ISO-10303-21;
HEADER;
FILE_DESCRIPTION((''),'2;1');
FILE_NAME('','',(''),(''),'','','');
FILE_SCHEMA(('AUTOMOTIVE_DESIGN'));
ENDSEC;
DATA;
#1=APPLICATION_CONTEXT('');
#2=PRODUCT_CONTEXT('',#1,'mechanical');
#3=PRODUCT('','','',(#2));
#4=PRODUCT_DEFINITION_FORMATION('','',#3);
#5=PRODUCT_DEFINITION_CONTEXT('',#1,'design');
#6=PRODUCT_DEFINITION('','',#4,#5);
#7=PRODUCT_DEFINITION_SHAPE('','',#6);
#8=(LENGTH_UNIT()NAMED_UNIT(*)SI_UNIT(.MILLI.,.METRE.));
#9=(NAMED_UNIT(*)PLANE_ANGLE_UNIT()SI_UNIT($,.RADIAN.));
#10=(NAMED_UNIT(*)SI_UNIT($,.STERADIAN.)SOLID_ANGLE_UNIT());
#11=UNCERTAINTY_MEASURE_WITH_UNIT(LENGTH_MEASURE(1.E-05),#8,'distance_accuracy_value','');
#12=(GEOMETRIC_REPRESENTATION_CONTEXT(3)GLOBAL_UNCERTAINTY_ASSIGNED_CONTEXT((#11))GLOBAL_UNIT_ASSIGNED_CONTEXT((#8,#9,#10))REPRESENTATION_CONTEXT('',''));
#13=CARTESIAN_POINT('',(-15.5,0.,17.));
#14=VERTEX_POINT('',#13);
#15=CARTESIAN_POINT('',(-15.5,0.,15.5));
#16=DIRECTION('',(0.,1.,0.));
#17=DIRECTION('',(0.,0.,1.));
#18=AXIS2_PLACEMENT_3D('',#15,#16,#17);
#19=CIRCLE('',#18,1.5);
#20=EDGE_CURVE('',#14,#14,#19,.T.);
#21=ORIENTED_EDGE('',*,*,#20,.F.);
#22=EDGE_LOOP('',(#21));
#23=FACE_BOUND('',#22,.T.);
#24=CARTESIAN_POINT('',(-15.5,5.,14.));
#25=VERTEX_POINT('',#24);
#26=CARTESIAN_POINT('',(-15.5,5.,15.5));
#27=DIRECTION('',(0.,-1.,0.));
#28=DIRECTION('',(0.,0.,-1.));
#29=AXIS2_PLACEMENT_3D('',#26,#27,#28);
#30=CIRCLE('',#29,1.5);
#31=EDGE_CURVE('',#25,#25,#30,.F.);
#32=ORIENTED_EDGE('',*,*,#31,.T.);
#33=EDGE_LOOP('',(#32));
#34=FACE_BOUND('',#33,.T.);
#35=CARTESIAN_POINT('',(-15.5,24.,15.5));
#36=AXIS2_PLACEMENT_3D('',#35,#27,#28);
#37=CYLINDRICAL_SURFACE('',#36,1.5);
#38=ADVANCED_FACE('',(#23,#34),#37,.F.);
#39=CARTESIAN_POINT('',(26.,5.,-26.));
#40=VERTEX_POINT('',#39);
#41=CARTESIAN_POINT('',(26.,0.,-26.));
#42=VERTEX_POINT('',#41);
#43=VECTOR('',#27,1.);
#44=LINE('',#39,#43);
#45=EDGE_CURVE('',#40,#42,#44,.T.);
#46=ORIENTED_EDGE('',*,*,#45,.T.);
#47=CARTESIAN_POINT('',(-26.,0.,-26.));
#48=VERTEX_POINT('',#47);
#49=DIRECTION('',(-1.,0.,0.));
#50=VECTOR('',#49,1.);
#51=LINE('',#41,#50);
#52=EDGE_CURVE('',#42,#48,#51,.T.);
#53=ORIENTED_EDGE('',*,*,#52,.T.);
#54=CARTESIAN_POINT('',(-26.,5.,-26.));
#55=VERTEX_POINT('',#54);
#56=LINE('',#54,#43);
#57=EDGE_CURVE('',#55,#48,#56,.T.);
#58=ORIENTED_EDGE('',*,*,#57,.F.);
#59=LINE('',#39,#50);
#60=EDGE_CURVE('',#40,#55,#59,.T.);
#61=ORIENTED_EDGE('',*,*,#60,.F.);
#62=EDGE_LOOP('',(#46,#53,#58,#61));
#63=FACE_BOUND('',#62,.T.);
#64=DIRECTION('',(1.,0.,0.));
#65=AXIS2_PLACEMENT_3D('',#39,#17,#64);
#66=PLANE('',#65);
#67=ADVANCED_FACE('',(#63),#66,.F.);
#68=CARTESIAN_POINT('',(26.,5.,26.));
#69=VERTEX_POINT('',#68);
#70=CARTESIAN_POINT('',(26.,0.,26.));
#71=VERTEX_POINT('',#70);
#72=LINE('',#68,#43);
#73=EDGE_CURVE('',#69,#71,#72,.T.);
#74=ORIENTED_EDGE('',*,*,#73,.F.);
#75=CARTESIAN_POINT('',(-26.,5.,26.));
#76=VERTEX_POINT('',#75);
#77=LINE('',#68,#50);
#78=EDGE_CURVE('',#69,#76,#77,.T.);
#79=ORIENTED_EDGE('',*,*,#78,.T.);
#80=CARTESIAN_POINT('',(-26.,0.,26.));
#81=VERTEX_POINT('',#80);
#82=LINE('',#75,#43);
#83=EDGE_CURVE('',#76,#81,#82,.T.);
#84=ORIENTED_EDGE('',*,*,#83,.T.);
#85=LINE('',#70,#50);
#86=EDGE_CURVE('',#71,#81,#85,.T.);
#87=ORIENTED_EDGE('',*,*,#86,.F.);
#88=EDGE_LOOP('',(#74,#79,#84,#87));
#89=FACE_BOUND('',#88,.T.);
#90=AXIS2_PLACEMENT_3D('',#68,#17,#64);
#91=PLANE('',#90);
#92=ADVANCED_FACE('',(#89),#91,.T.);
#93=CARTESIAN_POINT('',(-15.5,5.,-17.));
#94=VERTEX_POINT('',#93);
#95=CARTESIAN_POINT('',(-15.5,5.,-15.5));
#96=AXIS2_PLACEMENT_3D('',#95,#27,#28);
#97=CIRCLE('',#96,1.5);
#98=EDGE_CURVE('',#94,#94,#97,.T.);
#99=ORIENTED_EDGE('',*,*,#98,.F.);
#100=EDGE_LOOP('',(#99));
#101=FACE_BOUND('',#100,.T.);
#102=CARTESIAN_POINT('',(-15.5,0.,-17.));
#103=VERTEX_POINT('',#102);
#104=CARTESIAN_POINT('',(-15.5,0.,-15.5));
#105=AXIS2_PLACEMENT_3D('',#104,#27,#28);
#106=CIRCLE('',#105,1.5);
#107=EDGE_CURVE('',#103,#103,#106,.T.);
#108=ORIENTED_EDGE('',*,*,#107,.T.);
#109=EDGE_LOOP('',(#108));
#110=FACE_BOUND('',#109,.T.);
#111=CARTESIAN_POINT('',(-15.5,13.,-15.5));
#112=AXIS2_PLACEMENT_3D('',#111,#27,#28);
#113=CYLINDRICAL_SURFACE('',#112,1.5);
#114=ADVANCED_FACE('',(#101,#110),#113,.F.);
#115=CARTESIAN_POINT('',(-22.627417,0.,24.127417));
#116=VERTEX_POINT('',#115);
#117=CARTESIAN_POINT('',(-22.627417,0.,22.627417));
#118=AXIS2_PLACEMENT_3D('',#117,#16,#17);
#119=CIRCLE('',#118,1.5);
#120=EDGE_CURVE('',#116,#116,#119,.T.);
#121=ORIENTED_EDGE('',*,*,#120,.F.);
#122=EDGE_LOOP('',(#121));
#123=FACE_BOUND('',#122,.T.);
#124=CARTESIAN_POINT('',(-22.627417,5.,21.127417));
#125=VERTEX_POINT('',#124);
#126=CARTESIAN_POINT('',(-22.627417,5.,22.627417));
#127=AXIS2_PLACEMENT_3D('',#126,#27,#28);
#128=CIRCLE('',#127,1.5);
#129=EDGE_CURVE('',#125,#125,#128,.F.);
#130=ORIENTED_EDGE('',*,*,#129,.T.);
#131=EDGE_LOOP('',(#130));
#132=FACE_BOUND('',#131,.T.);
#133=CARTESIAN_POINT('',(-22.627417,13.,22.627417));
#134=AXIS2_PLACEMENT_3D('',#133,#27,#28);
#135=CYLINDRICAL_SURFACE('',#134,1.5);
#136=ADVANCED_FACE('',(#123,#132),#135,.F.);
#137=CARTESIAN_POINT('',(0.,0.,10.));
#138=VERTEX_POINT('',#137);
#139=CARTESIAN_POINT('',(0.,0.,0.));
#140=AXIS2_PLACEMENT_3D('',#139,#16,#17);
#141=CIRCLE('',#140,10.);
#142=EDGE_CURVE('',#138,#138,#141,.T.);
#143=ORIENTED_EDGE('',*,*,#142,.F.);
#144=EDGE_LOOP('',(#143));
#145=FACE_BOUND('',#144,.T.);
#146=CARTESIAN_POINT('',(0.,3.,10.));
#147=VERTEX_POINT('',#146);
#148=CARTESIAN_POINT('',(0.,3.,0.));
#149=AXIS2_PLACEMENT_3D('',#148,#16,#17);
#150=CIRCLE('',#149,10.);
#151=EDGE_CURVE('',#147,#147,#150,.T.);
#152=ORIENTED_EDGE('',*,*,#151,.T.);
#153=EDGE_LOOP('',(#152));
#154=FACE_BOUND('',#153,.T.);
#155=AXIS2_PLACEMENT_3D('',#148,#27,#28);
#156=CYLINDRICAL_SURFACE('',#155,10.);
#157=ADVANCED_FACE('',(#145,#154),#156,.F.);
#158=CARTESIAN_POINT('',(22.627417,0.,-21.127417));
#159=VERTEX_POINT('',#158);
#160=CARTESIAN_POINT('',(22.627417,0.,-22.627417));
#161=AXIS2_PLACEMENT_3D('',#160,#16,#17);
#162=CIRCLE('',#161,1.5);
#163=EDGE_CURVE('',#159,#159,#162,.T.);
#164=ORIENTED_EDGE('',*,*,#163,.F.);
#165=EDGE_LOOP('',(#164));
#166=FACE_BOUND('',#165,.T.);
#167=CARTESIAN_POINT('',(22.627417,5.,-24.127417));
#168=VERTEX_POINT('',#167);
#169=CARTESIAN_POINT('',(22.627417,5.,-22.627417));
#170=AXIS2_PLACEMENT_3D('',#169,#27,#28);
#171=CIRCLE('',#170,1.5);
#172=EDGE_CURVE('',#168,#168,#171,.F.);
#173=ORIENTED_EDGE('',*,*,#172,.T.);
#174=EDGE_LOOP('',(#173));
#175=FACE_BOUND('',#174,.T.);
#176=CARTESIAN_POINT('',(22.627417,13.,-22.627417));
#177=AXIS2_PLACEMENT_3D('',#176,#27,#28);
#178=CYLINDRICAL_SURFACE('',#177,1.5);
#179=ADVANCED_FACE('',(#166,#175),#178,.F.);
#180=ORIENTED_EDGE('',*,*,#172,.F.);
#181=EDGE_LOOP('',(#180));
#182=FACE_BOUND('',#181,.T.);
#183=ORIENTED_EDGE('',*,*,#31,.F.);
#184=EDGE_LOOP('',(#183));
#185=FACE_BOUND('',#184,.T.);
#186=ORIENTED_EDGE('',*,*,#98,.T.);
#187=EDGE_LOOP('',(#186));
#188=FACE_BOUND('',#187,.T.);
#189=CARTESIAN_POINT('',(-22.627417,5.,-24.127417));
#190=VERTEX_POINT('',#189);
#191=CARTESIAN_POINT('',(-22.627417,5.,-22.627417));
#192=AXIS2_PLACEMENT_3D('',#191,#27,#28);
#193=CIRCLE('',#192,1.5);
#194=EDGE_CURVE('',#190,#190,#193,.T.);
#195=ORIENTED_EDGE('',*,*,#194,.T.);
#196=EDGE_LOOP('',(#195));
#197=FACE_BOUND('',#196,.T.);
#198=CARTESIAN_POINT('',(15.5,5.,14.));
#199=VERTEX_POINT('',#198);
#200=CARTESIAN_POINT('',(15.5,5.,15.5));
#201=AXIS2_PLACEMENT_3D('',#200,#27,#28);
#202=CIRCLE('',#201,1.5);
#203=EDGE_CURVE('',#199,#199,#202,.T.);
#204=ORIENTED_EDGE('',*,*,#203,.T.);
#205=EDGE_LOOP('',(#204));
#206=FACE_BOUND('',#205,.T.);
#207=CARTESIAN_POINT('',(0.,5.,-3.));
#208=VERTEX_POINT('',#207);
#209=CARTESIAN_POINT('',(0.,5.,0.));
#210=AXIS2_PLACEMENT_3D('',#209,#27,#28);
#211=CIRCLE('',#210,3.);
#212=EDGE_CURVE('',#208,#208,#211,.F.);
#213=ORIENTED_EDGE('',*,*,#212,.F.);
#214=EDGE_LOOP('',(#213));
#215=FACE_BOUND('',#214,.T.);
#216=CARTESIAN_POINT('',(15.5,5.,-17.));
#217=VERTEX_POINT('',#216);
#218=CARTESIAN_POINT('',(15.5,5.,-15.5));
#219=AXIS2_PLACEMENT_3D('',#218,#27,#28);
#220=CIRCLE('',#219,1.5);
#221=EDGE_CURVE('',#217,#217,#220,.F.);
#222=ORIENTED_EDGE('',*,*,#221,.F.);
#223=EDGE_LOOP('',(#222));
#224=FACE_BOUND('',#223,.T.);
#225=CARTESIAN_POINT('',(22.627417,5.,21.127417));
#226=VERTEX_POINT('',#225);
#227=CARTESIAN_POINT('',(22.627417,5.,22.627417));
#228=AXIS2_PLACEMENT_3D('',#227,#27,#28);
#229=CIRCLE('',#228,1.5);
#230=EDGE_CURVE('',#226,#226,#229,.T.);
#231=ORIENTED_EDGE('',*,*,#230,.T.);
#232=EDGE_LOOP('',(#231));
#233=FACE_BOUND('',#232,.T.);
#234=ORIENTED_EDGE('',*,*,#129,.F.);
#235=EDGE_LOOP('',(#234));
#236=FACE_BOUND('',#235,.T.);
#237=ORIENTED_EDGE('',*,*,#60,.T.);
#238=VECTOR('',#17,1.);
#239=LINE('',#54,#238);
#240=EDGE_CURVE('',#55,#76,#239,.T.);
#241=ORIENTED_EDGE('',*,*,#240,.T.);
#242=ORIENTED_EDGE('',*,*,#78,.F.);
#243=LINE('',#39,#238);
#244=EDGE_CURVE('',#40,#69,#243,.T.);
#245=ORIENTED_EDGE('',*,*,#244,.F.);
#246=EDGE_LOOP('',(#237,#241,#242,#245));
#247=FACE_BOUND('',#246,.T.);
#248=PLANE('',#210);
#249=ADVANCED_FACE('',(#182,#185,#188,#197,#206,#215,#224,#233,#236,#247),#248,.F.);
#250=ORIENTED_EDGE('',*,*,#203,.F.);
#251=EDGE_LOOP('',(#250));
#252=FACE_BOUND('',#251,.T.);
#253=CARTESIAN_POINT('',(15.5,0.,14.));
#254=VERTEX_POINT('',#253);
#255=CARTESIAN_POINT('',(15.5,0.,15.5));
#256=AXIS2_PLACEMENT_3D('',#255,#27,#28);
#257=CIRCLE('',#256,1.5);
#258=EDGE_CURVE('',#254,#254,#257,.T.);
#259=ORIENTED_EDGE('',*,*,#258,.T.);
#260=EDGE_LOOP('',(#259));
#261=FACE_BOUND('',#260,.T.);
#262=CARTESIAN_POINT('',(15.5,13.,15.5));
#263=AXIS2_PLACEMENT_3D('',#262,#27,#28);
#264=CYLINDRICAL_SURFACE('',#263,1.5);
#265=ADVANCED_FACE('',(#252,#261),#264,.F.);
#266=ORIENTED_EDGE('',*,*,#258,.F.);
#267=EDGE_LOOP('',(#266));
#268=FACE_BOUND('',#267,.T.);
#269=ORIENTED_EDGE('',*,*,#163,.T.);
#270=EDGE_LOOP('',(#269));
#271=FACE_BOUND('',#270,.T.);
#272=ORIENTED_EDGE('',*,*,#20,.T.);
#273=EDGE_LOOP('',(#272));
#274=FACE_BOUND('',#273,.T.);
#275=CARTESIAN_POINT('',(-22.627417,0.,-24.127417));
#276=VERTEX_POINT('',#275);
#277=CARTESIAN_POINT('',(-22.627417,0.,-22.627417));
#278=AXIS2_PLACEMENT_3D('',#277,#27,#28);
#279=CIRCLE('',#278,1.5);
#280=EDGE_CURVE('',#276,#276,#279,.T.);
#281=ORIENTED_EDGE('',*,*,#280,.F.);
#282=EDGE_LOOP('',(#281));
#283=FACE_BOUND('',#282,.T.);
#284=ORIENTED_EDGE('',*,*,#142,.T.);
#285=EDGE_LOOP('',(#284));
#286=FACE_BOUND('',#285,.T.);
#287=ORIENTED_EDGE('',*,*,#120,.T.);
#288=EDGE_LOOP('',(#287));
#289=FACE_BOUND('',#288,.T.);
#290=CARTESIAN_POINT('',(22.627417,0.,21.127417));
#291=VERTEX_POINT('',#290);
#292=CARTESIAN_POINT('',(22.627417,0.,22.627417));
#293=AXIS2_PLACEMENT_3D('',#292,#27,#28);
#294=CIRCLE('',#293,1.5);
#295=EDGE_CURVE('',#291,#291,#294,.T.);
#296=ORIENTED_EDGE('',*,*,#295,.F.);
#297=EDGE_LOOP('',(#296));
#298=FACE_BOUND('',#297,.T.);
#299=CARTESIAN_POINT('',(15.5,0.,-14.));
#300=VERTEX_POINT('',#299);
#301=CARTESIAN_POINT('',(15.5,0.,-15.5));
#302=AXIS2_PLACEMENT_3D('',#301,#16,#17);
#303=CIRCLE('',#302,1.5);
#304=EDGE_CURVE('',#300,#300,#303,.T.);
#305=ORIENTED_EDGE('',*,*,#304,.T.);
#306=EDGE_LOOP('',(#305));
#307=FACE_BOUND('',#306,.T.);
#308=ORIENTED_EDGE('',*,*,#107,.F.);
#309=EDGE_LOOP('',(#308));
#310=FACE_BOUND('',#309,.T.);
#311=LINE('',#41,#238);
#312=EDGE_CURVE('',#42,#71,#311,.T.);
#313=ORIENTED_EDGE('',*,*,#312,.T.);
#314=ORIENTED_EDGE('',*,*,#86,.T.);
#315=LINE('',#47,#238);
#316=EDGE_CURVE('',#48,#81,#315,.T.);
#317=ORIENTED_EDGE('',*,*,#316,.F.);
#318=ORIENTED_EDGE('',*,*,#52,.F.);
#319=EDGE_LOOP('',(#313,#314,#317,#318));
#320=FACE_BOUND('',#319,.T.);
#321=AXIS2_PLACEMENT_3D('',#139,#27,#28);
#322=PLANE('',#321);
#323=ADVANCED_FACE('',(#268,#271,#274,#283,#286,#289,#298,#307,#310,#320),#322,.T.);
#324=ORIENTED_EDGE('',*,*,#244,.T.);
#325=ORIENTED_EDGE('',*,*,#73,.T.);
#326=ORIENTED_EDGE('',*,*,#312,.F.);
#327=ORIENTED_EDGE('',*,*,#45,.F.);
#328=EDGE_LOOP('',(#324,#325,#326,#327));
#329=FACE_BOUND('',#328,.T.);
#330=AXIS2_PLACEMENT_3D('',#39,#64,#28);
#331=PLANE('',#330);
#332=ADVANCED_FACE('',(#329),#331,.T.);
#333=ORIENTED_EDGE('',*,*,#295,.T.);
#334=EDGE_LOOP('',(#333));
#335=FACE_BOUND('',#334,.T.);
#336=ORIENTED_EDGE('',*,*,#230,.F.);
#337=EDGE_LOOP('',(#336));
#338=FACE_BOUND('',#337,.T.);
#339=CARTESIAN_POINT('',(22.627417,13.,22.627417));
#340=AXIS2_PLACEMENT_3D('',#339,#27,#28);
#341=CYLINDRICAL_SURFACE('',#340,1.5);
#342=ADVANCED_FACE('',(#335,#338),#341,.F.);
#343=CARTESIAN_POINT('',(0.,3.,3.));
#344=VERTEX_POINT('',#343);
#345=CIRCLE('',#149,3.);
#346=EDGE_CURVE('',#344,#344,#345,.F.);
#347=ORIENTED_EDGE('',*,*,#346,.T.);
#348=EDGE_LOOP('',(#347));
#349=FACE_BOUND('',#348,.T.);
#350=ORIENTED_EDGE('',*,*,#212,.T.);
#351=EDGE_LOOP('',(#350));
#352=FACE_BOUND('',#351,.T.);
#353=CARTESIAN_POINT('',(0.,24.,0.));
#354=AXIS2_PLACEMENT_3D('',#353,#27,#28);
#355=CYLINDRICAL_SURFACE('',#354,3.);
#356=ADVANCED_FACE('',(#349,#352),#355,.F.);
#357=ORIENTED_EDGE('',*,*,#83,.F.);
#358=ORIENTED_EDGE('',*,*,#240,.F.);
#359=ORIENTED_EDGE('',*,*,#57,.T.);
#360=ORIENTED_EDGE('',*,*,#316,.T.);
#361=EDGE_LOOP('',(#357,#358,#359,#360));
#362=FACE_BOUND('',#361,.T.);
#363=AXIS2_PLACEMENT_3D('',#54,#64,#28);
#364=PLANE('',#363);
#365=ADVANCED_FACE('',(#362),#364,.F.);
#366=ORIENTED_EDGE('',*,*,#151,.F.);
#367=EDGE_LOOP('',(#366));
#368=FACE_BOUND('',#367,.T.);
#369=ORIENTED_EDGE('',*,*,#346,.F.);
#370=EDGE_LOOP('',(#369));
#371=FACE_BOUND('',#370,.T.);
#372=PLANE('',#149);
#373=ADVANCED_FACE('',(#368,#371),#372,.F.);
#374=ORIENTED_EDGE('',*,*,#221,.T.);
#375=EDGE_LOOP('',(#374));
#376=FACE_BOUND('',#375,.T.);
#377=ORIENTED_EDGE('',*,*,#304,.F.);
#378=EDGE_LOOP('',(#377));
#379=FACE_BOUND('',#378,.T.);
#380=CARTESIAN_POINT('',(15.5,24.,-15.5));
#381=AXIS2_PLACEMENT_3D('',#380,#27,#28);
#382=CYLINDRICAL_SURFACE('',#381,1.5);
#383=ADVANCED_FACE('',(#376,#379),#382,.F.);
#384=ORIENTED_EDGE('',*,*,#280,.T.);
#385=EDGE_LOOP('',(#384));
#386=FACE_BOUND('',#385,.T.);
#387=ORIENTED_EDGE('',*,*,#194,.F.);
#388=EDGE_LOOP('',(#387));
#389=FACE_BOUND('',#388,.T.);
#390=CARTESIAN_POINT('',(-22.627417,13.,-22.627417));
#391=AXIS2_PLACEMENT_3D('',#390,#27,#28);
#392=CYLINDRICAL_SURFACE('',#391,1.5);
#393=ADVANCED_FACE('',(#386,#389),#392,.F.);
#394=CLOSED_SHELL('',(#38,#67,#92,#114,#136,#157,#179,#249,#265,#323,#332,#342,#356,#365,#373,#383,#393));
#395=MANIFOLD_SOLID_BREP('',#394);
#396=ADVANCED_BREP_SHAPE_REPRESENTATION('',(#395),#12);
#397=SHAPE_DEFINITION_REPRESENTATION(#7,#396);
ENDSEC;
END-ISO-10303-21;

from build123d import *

# Parameters (mm, degrees)
SKETCH1_W           = 52
SKETCH1_H           = 52
BOSS_EXTRUDE1_DEPTH = 5
SKETCH1_5_R         = 1.5
CUT_EXTRUDE2_DEPTH  = 13
SKETCH1_8_R         = 10
CUT_EXTRUDE5_DEPTH  = 3
SKETCH1_9_R         = 3
CUT_EXTRUDE6_DEPTH  = 24
SKETCH1_10_R        = 1.5
CUT_EXTRUDE7_DEPTH  = 24


with BuildPart() as part:
    # Sketch1 → Boss-Extrude1 (new body)
    with BuildSketch(Plane(origin=(0, 0, 0), x_dir=(1, 0, 0), z_dir=(0, 1, 0))):
        Rectangle(SKETCH1_W, SKETCH1_H)
    extrude(amount=BOSS_EXTRUDE1_DEPTH)

    # Sketch1<5> → Cut-Extrude2 (cut)
    with BuildSketch(Plane(origin=(0, 0, 0), x_dir=(1, 0, 0), z_dir=(0, 1, 0))):
        with Locations((22.627416998, 22.627416998)):
            Circle(SKETCH1_5_R)
        with Locations((22.627416998, -22.627416998)):
            Circle(SKETCH1_5_R)
        with Locations((-22.627416998, 22.627416998)):
            Circle(SKETCH1_5_R)
        with Locations((-22.627416998, -22.627416998)):
            Circle(SKETCH1_5_R)
        with Locations((15.5, -15.5)):
            Circle(SKETCH1_5_R)
        with Locations((-15.5, 15.5)):
            Circle(SKETCH1_5_R)
    extrude(amount=CUT_EXTRUDE2_DEPTH, mode=Mode.SUBTRACT)

    # Sketch1<8> → Cut-Extrude5 (cut)
    with BuildSketch(Plane(origin=(0, 0, 0), x_dir=(1, 0, 0), z_dir=(0, 1, 0))):
        Circle(SKETCH1_8_R)
    extrude(amount=CUT_EXTRUDE5_DEPTH, mode=Mode.SUBTRACT)

    # Sketch1<9> → Cut-Extrude6 (cut)
    with BuildSketch(Plane(origin=(0, 0, 0), x_dir=(1, 0, 0), z_dir=(0, 1, 0))):
        Circle(SKETCH1_9_R)
    extrude(amount=CUT_EXTRUDE6_DEPTH, mode=Mode.SUBTRACT)

    # Sketch1<10> → Cut-Extrude7 (cut)
    with BuildSketch(Plane(origin=(0, 0, 0), x_dir=(1, 0, 0), z_dir=(0, 1, 0))):
        with Locations((15.5, 15.5)):
            Circle(SKETCH1_10_R)
        with Locations((-15.5, -15.5)):
            Circle(SKETCH1_10_R)
    extrude(amount=CUT_EXTRUDE7_DEPTH, mode=Mode.SUBTRACT)


solid = part.part
